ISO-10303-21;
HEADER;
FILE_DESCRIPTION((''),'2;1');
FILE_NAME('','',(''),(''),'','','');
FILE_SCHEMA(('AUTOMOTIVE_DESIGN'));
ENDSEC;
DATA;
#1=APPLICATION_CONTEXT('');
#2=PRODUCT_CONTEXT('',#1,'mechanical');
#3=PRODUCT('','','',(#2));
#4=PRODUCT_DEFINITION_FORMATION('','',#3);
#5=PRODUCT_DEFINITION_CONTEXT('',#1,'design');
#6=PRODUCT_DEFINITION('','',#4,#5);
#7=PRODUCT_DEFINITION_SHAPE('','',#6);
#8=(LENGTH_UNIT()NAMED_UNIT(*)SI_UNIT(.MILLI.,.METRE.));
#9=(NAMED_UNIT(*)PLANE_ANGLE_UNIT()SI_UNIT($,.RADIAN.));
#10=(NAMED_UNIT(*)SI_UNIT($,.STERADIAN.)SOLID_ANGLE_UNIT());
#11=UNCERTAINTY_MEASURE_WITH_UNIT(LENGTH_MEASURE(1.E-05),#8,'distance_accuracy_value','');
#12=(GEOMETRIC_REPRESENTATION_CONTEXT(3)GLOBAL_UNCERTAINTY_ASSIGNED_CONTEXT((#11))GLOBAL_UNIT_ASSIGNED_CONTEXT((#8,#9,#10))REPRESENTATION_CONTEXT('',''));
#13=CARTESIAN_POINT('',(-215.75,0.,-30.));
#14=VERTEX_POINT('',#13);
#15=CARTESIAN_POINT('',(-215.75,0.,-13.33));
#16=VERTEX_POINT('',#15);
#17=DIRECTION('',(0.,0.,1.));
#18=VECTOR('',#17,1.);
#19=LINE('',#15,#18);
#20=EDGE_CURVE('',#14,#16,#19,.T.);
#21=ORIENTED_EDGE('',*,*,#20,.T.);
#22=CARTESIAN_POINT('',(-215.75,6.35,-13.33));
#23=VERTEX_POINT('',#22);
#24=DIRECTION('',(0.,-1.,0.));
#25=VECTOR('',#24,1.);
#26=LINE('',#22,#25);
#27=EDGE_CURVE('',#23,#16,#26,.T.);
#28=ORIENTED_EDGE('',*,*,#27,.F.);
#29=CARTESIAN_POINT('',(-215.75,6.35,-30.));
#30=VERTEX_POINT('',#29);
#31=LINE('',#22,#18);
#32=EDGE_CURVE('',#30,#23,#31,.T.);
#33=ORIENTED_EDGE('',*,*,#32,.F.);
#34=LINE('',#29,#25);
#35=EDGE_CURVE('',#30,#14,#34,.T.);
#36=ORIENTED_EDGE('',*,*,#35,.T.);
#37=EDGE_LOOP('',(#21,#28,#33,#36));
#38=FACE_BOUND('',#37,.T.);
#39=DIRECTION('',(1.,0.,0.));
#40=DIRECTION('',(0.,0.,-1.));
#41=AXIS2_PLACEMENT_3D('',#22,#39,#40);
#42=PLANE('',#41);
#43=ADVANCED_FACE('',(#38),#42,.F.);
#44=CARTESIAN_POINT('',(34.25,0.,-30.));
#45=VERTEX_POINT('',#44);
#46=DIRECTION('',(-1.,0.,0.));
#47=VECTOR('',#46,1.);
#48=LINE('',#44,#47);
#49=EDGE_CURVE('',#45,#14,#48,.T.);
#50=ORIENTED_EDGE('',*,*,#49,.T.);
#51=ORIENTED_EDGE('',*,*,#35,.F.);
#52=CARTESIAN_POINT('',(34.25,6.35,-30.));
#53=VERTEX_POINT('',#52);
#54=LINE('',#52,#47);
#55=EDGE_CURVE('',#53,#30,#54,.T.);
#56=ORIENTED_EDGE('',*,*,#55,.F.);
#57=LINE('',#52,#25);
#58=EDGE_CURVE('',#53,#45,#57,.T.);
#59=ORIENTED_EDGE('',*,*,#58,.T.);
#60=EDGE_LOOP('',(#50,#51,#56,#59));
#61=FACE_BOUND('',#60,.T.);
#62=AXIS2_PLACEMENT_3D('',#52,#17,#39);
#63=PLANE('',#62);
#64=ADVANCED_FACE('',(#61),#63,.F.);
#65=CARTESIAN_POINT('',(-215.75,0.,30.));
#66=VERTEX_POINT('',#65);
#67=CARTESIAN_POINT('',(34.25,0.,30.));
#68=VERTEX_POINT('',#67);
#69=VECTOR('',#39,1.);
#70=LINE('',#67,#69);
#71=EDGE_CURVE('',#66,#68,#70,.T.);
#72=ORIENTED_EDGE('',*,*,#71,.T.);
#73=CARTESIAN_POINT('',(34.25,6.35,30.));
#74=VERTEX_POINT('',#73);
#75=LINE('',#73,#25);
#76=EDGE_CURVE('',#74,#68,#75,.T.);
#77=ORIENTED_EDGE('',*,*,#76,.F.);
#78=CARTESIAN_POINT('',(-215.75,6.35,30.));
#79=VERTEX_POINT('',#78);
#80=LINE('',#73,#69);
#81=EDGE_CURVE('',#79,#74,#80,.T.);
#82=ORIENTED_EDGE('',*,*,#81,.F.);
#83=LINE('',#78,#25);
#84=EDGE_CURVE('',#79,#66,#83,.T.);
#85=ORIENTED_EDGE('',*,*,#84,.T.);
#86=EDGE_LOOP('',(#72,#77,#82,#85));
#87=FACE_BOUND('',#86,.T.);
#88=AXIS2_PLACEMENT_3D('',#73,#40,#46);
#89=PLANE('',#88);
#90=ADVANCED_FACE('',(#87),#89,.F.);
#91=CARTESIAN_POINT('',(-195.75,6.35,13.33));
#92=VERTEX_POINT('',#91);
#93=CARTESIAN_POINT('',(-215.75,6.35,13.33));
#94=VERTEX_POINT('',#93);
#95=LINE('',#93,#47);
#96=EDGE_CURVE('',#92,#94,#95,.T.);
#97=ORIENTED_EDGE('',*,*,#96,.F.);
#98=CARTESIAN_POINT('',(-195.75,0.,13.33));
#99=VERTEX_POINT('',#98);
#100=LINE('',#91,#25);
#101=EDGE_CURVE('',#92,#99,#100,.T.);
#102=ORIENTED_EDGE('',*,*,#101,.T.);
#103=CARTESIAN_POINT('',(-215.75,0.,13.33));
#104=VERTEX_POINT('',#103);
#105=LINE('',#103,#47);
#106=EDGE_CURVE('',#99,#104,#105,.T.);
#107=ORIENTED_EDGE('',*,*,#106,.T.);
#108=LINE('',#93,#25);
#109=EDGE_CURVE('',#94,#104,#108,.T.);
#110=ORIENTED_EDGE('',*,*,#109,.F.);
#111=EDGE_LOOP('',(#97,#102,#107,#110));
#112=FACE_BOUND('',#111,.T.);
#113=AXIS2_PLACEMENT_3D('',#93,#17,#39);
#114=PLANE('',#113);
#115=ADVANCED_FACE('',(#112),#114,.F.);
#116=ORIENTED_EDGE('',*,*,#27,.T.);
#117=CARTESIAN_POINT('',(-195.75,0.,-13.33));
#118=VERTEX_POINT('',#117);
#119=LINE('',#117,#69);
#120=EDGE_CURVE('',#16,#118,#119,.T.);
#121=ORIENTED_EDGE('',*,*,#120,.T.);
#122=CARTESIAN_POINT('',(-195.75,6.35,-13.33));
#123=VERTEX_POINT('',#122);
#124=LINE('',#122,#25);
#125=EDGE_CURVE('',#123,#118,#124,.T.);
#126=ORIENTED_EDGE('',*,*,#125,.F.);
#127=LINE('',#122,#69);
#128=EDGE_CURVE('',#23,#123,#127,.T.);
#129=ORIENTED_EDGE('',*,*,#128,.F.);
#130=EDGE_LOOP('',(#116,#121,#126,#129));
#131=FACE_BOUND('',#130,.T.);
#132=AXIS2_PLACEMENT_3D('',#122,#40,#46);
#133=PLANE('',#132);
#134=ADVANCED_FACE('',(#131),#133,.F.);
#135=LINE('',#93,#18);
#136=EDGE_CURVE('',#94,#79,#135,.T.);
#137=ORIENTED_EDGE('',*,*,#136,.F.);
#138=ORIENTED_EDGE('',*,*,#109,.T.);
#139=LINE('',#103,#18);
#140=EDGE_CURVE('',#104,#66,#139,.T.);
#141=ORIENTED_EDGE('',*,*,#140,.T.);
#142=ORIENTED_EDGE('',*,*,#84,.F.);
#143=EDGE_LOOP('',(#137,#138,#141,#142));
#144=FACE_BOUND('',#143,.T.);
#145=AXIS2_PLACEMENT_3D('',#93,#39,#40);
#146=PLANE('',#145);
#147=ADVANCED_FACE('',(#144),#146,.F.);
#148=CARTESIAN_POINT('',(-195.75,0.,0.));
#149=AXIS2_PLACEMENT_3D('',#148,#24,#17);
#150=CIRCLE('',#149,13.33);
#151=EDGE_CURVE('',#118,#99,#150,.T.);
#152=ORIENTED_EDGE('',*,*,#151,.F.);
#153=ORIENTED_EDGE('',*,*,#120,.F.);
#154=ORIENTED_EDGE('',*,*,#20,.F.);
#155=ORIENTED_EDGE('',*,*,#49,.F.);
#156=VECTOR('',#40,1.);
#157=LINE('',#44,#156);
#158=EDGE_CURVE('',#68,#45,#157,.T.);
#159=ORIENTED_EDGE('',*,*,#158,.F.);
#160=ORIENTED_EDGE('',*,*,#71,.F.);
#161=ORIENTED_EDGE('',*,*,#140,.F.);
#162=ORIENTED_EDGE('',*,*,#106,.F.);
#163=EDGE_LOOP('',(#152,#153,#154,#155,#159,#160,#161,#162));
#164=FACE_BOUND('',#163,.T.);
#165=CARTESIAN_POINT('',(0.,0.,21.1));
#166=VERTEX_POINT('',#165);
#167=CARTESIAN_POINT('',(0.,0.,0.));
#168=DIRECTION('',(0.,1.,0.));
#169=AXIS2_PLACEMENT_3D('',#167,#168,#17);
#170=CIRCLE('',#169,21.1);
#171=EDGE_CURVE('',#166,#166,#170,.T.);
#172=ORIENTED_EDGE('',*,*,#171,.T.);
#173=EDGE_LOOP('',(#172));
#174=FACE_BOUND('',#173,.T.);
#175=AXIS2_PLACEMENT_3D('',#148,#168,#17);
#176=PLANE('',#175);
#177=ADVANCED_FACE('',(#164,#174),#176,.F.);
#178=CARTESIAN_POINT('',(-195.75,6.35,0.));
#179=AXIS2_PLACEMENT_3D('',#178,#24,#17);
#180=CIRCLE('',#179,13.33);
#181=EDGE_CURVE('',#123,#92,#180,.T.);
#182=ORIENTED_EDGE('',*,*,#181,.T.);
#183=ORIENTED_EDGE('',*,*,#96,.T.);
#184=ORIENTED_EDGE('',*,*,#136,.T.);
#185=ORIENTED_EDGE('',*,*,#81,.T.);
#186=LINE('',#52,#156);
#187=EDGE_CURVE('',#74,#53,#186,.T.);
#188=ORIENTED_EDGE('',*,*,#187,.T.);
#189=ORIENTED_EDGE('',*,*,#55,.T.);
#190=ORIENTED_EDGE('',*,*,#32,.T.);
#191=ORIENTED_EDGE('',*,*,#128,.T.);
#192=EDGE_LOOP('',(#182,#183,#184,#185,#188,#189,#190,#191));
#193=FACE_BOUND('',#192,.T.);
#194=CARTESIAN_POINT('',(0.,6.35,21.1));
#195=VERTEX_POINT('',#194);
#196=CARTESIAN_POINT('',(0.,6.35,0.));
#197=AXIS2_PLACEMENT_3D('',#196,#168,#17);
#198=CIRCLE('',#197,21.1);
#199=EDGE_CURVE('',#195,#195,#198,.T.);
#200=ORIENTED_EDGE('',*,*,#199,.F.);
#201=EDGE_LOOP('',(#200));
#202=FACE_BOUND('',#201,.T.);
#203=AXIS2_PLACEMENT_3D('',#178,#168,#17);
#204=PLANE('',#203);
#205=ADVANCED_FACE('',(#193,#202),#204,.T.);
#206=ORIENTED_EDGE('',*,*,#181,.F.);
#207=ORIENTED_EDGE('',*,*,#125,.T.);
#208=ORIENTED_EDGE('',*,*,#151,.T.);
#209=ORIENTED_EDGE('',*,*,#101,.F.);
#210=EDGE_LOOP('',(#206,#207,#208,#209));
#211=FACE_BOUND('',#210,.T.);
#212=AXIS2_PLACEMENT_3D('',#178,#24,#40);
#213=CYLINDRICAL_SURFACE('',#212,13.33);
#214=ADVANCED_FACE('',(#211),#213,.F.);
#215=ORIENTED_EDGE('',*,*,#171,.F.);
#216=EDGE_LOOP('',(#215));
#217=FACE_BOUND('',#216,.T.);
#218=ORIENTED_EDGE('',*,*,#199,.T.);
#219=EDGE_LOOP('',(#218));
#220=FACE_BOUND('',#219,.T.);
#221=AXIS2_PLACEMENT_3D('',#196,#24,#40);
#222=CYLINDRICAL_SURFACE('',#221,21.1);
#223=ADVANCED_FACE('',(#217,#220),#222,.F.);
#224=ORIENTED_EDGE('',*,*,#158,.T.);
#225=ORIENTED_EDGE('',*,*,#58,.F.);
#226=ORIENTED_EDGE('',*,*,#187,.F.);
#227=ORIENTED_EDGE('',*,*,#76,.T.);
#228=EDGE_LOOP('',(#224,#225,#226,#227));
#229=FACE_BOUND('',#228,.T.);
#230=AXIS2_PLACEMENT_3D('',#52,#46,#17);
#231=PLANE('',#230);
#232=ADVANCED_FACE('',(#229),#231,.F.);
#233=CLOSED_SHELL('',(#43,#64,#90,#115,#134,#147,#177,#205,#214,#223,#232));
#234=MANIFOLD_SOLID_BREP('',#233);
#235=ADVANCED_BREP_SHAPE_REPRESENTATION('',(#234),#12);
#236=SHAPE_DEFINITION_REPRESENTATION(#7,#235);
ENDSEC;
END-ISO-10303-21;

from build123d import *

# Parameters (mm, degrees)
SKETCH1_R           = 21.1
BOSS_EXTRUDE1_DEPTH = 6.35


with BuildPart() as part:
    # Sketch1 → Boss-Extrude1 (new body)
    with BuildSketch(Plane(origin=(0, 0, 0), x_dir=(1, 0, 0), z_dir=(0, 1, 0))):
        with BuildLine():
            Line((-195.75, 13.33), (-215.75, 13.33))
            Line((-215.75, 13.33), (-215.75, 30))
            Line((-215.75, 30), (34.25, 30))
            Line((34.25, 30), (34.25, -30))
            Line((34.25, -30), (-215.75, -30))
            Line((-215.75, -30), (-215.75, -13.33))
            Line((-215.75, -13.33), (-195.75, -13.33))
            ThreePointArc((-195.75, -13.33), (-182.42, 0), (-195.75, 13.33))
        make_face()
        Circle(SKETCH1_R, mode=Mode.SUBTRACT)
    extrude(amount=BOSS_EXTRUDE1_DEPTH)


solid = part.part
